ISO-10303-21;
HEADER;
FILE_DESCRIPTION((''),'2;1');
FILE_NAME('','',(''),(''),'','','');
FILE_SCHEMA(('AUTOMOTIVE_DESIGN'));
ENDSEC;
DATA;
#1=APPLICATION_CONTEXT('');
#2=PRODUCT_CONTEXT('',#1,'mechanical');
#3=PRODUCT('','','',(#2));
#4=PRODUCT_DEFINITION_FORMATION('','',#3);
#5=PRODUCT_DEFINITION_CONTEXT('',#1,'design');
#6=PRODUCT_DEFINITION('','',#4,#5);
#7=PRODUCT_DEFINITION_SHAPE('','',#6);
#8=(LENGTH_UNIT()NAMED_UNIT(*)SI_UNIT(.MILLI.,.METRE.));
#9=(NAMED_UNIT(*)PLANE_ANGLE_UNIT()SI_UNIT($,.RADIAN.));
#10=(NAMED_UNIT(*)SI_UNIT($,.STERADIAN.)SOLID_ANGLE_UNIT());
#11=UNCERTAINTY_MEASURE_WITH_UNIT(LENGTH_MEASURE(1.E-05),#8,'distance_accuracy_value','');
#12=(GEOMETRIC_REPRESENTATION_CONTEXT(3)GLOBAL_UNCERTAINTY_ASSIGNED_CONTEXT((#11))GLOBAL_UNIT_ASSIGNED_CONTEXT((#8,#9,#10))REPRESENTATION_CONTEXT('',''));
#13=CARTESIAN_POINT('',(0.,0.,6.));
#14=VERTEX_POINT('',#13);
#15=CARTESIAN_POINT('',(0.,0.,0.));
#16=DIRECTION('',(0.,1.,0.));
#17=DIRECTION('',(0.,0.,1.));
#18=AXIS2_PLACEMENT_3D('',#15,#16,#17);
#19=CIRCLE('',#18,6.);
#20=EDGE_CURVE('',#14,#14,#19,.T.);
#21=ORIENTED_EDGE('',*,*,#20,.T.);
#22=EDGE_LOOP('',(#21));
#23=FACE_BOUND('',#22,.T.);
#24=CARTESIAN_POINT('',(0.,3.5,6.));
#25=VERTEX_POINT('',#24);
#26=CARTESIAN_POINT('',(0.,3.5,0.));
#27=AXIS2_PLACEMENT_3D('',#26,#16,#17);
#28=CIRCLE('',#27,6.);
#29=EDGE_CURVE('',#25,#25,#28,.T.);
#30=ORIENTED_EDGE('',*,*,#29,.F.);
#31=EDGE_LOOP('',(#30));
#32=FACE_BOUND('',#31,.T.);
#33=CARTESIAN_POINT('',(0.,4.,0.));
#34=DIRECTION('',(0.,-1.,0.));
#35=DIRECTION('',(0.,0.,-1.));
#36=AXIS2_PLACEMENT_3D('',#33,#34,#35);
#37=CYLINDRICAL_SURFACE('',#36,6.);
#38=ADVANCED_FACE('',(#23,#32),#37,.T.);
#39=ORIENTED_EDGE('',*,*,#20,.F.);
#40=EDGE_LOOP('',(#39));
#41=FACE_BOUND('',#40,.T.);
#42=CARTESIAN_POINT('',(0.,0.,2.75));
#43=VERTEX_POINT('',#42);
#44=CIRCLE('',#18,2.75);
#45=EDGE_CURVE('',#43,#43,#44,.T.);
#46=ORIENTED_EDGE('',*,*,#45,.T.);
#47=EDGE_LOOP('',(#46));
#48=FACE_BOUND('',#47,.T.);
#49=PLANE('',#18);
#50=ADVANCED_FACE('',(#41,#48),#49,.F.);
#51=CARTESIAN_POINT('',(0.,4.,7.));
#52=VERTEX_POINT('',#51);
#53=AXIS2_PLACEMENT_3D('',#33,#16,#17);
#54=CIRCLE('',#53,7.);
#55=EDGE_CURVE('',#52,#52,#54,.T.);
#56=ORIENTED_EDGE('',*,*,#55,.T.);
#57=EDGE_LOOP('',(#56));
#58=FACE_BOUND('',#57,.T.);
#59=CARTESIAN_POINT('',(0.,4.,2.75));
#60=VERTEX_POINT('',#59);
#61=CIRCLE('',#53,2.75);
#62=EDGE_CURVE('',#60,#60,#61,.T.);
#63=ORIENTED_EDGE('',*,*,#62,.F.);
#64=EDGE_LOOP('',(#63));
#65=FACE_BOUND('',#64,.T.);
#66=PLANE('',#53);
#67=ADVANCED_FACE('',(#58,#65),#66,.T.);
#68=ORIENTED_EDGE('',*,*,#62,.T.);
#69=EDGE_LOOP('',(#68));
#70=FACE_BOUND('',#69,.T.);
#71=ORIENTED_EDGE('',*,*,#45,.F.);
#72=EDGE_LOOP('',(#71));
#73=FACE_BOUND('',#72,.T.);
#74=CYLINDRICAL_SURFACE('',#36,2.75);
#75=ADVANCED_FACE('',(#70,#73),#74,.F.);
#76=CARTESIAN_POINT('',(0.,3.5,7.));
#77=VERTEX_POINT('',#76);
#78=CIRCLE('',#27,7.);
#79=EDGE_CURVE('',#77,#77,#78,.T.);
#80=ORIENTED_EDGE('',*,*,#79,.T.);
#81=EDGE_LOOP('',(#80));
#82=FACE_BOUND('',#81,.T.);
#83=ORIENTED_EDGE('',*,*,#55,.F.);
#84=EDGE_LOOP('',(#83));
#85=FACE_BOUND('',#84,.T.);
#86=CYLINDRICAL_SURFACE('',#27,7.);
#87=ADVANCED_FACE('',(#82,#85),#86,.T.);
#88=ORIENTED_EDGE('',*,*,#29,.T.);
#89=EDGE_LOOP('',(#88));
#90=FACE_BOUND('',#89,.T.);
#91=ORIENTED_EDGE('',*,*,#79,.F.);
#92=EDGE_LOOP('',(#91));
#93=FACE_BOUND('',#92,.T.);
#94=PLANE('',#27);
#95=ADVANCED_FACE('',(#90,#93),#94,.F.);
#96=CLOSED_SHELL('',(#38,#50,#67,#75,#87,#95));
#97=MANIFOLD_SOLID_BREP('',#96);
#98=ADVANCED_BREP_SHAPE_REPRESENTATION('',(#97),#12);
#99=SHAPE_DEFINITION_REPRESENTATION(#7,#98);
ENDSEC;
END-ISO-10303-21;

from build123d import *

# Parameters (mm, degrees)
SKETCH1_R           = 6
SKETCH1_R_2         = 2.75
BOSS_EXTRUDE1_DEPTH = 4
BOSS_EXTRUDE2_START = -0.5
SKETCH2_R           = 7
SKETCH2_R_2         = 2.75
BOSS_EXTRUDE2_DEPTH = 0.5


with BuildPart() as part:
    # Sketch1 → Boss-Extrude1 (new body)
    with BuildSketch(Plane(origin=(0, 0, 0), x_dir=(1, 0, 0), z_dir=(0, 1, 0))):
        with Locations(Location((0, 0, 0), (0, 0, 270))):
            Circle(SKETCH1_R)
        with Locations(Location((0, 0, 0), (0, 0, 270))):
            Circle(SKETCH1_R_2, mode=Mode.SUBTRACT)
    extrude(amount=BOSS_EXTRUDE1_DEPTH)

    # Sketch2 → Boss-Extrude2 (add)
    with BuildSketch(Plane(origin=(0, 4, 0), x_dir=(1, 0, 0), z_dir=(0, 1, 0)).offset(BOSS_EXTRUDE2_START)):
        with Locations(Location((0, 0, 0), (0, 0, 270))):
            Circle(SKETCH2_R)
        with Locations(Location((0, 0, 0), (0, 0, 270))):
            Circle(SKETCH2_R_2, mode=Mode.SUBTRACT)
    extrude(amount=BOSS_EXTRUDE2_DEPTH)


solid = part.part
